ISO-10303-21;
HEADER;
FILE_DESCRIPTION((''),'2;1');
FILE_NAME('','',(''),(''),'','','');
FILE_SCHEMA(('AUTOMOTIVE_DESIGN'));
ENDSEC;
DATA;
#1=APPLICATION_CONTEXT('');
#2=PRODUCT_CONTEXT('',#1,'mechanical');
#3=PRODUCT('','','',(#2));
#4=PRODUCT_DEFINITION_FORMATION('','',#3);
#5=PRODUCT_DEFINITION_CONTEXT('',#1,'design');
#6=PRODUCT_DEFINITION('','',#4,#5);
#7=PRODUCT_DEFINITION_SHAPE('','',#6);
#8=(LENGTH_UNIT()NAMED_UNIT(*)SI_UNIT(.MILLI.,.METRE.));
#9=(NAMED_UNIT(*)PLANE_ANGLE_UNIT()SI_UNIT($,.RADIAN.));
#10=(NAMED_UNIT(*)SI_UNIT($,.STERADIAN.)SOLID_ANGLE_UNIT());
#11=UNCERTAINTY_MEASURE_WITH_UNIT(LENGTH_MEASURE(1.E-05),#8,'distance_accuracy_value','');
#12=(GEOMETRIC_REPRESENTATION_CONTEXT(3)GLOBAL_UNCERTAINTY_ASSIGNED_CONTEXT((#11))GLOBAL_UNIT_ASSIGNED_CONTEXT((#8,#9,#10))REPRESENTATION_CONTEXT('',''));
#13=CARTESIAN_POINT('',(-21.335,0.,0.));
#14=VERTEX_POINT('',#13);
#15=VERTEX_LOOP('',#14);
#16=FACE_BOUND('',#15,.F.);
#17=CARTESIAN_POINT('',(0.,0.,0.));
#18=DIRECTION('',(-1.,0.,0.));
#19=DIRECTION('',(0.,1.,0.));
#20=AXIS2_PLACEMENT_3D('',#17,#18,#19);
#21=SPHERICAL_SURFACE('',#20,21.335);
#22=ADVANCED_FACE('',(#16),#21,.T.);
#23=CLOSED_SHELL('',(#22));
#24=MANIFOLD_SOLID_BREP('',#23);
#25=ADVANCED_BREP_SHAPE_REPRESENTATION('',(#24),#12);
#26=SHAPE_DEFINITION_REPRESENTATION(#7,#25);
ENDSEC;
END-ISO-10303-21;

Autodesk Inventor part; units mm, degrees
ref_plane "YZ-Ebene" through (0, 0, 0) normal (1, 0, 0) x (0, 1, 0)
ref_plane "XZ-Ebene" through (0, 0, 0) normal (0, 1, 0) x (-1, 0, 0)
ref_plane "XY-Ebene" through (0, 0, 0) normal (0, 0, 1) x (1, 0, 0)
sketch "Skizze2" plane through (0, 0, 0) normal (0, 0, 1) x (1, 0, 0)
  arc A0 (21.335, 0) -> (-21.335, 0) centre (0, 0) ccw
  line L0 (-21.335, 0) -> (21.335, 0)
  dimension "d1" = 21.335
revolve "Umdrehung1" add sketch "Skizze2" angle 360 about axis through (-21.335, 0, 0) along (1, 0, 0)
properties part number "Golfball" material "ABS-Kunststoff"
